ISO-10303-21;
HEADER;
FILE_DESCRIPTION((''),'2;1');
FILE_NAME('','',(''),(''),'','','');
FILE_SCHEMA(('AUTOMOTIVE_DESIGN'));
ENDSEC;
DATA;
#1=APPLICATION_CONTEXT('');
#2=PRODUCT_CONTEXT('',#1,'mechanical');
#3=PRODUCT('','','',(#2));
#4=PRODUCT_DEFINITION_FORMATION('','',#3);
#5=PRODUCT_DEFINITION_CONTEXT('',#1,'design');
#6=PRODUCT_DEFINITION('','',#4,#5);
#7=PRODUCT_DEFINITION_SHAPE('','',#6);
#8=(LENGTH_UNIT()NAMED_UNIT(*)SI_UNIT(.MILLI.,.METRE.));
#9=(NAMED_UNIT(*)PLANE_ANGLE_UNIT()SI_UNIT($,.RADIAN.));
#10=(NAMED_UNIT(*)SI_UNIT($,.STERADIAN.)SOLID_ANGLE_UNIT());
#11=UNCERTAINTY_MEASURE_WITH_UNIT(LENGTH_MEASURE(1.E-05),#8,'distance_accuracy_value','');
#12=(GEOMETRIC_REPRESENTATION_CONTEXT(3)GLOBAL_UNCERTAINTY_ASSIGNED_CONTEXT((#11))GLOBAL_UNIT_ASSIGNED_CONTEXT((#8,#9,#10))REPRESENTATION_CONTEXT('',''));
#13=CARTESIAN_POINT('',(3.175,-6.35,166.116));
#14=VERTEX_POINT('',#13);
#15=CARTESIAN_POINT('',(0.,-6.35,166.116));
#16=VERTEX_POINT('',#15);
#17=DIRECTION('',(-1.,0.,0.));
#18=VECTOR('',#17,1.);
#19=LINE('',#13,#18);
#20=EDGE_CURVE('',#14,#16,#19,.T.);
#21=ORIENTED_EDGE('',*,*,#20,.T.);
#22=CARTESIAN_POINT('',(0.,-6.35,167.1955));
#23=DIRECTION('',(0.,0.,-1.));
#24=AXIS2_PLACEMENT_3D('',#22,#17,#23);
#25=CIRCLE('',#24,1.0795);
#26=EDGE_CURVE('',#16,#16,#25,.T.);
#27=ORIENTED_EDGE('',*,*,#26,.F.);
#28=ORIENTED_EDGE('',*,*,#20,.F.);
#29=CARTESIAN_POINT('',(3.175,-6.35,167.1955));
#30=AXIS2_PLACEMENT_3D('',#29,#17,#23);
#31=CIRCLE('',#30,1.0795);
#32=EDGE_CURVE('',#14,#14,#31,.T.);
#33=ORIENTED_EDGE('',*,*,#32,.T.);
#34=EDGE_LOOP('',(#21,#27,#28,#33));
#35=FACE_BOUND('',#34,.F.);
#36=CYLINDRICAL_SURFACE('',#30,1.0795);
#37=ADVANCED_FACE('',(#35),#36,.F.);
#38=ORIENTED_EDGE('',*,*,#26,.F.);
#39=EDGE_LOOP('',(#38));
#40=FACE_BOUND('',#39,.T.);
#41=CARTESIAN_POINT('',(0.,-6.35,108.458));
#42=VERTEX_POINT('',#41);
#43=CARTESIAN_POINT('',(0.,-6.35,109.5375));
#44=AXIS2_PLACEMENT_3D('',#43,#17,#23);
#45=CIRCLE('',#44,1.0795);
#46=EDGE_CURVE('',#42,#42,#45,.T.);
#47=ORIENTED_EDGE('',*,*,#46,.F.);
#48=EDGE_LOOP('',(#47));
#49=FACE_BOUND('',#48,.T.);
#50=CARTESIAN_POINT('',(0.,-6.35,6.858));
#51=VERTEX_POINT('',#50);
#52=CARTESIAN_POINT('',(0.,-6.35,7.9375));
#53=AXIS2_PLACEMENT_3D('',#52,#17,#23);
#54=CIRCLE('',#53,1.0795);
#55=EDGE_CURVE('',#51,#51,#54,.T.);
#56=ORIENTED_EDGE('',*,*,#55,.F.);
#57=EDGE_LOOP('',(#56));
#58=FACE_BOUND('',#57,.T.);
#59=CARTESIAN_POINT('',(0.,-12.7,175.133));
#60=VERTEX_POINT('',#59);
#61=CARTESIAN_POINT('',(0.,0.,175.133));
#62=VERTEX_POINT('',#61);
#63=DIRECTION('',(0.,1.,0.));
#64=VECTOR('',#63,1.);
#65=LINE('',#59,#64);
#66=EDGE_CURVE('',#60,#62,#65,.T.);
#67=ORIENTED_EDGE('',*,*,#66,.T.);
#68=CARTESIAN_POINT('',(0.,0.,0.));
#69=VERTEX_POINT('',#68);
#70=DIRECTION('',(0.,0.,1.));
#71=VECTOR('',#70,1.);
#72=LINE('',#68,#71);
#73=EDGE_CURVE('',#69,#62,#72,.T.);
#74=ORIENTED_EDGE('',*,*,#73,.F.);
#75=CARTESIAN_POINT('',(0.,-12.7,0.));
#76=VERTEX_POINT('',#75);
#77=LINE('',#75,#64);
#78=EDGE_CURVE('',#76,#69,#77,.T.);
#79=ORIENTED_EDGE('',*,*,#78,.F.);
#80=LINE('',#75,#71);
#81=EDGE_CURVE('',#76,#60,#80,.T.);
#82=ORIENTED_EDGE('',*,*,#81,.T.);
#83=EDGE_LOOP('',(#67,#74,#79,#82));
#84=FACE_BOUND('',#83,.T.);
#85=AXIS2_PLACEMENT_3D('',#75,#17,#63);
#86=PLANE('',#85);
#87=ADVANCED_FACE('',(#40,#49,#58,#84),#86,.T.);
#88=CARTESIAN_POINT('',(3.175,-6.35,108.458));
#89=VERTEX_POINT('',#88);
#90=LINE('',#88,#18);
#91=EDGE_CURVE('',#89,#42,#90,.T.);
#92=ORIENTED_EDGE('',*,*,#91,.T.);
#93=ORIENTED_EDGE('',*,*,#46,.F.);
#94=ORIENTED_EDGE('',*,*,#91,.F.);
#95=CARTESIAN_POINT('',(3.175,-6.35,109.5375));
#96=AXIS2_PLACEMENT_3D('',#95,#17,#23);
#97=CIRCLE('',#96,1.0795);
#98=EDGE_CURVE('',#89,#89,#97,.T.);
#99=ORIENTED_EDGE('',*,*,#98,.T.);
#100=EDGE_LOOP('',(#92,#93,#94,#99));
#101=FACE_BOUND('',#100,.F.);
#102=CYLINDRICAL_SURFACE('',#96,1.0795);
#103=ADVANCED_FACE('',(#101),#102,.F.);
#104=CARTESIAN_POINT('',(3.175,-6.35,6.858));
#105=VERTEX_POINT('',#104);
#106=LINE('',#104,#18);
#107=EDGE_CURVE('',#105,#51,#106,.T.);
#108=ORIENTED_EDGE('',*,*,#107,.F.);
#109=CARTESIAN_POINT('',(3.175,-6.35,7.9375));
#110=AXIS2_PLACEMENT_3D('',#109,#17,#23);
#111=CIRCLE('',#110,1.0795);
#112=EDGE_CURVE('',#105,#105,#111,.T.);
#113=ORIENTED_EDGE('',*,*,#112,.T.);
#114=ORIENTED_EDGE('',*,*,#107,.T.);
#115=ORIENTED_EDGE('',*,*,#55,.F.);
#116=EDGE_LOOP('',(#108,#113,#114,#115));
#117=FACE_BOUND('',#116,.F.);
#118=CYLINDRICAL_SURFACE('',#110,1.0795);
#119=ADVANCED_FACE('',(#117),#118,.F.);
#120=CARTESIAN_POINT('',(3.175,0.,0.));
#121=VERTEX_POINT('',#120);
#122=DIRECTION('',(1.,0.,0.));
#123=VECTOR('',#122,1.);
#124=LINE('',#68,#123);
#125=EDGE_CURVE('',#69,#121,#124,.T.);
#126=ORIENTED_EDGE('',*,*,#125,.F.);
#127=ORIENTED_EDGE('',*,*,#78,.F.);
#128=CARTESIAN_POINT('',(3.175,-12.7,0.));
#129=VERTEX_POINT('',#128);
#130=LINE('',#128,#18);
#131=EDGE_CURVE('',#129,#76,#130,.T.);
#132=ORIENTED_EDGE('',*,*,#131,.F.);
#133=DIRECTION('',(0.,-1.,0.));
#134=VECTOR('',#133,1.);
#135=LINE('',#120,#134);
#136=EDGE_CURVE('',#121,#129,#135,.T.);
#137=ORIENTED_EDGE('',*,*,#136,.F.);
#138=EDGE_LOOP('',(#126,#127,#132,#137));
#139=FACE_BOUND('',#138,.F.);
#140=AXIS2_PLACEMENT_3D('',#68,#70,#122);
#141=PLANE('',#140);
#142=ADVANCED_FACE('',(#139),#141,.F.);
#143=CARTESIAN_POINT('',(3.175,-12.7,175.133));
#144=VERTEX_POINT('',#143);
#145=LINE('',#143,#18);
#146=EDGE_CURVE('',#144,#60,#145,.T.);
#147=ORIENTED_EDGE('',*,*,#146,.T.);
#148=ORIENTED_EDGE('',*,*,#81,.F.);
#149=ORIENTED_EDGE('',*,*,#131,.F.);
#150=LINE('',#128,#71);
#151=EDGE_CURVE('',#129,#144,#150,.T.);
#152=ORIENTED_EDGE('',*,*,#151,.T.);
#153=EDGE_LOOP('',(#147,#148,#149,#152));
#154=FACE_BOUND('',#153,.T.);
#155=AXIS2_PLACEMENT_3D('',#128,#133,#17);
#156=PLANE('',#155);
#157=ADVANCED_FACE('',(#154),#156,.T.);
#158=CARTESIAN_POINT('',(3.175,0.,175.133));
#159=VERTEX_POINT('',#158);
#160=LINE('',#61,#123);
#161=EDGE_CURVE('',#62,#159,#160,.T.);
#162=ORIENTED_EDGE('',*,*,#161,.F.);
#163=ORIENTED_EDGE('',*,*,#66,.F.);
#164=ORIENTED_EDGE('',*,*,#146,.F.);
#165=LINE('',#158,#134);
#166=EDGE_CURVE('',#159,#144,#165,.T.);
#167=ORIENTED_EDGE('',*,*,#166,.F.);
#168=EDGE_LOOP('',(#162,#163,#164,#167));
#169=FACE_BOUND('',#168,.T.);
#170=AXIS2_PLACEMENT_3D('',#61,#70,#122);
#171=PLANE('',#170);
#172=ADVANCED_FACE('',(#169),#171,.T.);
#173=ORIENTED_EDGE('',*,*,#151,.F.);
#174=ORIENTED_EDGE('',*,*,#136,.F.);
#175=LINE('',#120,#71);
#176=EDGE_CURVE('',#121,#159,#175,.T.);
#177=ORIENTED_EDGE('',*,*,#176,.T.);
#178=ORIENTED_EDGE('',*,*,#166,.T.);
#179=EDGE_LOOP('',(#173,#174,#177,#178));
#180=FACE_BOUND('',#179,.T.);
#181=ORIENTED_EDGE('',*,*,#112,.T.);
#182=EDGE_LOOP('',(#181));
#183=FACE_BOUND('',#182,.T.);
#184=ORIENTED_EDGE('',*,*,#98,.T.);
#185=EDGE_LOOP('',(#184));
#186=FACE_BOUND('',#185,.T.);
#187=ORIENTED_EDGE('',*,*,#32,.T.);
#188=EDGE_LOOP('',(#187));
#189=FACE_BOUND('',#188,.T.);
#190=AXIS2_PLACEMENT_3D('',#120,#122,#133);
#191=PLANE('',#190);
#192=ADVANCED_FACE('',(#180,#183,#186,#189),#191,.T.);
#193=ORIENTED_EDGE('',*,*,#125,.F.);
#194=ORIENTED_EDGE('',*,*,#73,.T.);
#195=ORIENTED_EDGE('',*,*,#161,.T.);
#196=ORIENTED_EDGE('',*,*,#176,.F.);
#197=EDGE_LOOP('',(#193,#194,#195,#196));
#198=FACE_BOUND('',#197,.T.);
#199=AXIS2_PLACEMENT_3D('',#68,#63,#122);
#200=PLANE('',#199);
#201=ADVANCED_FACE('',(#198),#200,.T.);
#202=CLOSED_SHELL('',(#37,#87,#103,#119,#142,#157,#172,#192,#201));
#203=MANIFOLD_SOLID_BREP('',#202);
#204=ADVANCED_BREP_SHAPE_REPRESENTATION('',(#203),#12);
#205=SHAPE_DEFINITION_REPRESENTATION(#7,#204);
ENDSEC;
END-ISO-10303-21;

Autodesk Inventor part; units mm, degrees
ref_plane "YZ Plane" through (0, 0, 0) normal (1, 0, 0) x (0, 1, 0)
ref_plane "XZ Plane" through (0, 0, 0) normal (0, 1, 0) x (-1, 0, 0)
ref_plane "XY Plane" through (0, 0, 0) normal (0, 0, 1) x (1, 0, 0)
sketch "Sketch1" plane through (0, 0, 0) normal (0, 0, 1) x (1, 0, 0)
  line L0 (0, 0) -> (3.175, 0)
  line L1 (3.175, 0) -> (3.175, -12.7)
  line L2 (3.175, -12.7) -> (0, -12.7)
  line L3 (0, -12.7) -> (0, 0)
  dimension "d0" = 12.7
  dimension "d1" = 3.175
extrude "Extrusion1" add sketch "Sketch1" along normal blind 175.133
sketch "Sketch2" plane through (3.175, -12.7, 0) normal (1, 0, 0) x (0, 0, -1)
  line L0 (0, 12.7) -> (0, 0) projected
  circle A0 centre (-7.9375, 6.35) radius 0.7937
  circle A1 centre (-109.5375, 6.35) radius 0.7937
  circle A2 centre (-167.1955, 6.35) radius 0.7937
  dimension "d4" = 1.5875
  dimension "d5" = 7.9375
  dimension "d8" = 101.6
  dimension "d9" = 57.658
  dimension "d10" = 1.5875
  dimension "d11" = 1.5875
extrude "Extrusion2" cut sketch "Sketch2" against normal blind 25.4
hole "Hole1" at (3.175, -6.35, 109.5375) direction (-1, 0, 0) diameter 2.159 end through all
hole "Hole2" at (3.175, -6.35, 167.1955) direction (-1, 0, 0) diameter 2.159 end through all
hole "Hole3" at (3.175, -6.35, 7.9375) direction (-1, 0, 0) diameter 2.159 end through all
properties part number "Needle Bearing Mount Connector 2"
